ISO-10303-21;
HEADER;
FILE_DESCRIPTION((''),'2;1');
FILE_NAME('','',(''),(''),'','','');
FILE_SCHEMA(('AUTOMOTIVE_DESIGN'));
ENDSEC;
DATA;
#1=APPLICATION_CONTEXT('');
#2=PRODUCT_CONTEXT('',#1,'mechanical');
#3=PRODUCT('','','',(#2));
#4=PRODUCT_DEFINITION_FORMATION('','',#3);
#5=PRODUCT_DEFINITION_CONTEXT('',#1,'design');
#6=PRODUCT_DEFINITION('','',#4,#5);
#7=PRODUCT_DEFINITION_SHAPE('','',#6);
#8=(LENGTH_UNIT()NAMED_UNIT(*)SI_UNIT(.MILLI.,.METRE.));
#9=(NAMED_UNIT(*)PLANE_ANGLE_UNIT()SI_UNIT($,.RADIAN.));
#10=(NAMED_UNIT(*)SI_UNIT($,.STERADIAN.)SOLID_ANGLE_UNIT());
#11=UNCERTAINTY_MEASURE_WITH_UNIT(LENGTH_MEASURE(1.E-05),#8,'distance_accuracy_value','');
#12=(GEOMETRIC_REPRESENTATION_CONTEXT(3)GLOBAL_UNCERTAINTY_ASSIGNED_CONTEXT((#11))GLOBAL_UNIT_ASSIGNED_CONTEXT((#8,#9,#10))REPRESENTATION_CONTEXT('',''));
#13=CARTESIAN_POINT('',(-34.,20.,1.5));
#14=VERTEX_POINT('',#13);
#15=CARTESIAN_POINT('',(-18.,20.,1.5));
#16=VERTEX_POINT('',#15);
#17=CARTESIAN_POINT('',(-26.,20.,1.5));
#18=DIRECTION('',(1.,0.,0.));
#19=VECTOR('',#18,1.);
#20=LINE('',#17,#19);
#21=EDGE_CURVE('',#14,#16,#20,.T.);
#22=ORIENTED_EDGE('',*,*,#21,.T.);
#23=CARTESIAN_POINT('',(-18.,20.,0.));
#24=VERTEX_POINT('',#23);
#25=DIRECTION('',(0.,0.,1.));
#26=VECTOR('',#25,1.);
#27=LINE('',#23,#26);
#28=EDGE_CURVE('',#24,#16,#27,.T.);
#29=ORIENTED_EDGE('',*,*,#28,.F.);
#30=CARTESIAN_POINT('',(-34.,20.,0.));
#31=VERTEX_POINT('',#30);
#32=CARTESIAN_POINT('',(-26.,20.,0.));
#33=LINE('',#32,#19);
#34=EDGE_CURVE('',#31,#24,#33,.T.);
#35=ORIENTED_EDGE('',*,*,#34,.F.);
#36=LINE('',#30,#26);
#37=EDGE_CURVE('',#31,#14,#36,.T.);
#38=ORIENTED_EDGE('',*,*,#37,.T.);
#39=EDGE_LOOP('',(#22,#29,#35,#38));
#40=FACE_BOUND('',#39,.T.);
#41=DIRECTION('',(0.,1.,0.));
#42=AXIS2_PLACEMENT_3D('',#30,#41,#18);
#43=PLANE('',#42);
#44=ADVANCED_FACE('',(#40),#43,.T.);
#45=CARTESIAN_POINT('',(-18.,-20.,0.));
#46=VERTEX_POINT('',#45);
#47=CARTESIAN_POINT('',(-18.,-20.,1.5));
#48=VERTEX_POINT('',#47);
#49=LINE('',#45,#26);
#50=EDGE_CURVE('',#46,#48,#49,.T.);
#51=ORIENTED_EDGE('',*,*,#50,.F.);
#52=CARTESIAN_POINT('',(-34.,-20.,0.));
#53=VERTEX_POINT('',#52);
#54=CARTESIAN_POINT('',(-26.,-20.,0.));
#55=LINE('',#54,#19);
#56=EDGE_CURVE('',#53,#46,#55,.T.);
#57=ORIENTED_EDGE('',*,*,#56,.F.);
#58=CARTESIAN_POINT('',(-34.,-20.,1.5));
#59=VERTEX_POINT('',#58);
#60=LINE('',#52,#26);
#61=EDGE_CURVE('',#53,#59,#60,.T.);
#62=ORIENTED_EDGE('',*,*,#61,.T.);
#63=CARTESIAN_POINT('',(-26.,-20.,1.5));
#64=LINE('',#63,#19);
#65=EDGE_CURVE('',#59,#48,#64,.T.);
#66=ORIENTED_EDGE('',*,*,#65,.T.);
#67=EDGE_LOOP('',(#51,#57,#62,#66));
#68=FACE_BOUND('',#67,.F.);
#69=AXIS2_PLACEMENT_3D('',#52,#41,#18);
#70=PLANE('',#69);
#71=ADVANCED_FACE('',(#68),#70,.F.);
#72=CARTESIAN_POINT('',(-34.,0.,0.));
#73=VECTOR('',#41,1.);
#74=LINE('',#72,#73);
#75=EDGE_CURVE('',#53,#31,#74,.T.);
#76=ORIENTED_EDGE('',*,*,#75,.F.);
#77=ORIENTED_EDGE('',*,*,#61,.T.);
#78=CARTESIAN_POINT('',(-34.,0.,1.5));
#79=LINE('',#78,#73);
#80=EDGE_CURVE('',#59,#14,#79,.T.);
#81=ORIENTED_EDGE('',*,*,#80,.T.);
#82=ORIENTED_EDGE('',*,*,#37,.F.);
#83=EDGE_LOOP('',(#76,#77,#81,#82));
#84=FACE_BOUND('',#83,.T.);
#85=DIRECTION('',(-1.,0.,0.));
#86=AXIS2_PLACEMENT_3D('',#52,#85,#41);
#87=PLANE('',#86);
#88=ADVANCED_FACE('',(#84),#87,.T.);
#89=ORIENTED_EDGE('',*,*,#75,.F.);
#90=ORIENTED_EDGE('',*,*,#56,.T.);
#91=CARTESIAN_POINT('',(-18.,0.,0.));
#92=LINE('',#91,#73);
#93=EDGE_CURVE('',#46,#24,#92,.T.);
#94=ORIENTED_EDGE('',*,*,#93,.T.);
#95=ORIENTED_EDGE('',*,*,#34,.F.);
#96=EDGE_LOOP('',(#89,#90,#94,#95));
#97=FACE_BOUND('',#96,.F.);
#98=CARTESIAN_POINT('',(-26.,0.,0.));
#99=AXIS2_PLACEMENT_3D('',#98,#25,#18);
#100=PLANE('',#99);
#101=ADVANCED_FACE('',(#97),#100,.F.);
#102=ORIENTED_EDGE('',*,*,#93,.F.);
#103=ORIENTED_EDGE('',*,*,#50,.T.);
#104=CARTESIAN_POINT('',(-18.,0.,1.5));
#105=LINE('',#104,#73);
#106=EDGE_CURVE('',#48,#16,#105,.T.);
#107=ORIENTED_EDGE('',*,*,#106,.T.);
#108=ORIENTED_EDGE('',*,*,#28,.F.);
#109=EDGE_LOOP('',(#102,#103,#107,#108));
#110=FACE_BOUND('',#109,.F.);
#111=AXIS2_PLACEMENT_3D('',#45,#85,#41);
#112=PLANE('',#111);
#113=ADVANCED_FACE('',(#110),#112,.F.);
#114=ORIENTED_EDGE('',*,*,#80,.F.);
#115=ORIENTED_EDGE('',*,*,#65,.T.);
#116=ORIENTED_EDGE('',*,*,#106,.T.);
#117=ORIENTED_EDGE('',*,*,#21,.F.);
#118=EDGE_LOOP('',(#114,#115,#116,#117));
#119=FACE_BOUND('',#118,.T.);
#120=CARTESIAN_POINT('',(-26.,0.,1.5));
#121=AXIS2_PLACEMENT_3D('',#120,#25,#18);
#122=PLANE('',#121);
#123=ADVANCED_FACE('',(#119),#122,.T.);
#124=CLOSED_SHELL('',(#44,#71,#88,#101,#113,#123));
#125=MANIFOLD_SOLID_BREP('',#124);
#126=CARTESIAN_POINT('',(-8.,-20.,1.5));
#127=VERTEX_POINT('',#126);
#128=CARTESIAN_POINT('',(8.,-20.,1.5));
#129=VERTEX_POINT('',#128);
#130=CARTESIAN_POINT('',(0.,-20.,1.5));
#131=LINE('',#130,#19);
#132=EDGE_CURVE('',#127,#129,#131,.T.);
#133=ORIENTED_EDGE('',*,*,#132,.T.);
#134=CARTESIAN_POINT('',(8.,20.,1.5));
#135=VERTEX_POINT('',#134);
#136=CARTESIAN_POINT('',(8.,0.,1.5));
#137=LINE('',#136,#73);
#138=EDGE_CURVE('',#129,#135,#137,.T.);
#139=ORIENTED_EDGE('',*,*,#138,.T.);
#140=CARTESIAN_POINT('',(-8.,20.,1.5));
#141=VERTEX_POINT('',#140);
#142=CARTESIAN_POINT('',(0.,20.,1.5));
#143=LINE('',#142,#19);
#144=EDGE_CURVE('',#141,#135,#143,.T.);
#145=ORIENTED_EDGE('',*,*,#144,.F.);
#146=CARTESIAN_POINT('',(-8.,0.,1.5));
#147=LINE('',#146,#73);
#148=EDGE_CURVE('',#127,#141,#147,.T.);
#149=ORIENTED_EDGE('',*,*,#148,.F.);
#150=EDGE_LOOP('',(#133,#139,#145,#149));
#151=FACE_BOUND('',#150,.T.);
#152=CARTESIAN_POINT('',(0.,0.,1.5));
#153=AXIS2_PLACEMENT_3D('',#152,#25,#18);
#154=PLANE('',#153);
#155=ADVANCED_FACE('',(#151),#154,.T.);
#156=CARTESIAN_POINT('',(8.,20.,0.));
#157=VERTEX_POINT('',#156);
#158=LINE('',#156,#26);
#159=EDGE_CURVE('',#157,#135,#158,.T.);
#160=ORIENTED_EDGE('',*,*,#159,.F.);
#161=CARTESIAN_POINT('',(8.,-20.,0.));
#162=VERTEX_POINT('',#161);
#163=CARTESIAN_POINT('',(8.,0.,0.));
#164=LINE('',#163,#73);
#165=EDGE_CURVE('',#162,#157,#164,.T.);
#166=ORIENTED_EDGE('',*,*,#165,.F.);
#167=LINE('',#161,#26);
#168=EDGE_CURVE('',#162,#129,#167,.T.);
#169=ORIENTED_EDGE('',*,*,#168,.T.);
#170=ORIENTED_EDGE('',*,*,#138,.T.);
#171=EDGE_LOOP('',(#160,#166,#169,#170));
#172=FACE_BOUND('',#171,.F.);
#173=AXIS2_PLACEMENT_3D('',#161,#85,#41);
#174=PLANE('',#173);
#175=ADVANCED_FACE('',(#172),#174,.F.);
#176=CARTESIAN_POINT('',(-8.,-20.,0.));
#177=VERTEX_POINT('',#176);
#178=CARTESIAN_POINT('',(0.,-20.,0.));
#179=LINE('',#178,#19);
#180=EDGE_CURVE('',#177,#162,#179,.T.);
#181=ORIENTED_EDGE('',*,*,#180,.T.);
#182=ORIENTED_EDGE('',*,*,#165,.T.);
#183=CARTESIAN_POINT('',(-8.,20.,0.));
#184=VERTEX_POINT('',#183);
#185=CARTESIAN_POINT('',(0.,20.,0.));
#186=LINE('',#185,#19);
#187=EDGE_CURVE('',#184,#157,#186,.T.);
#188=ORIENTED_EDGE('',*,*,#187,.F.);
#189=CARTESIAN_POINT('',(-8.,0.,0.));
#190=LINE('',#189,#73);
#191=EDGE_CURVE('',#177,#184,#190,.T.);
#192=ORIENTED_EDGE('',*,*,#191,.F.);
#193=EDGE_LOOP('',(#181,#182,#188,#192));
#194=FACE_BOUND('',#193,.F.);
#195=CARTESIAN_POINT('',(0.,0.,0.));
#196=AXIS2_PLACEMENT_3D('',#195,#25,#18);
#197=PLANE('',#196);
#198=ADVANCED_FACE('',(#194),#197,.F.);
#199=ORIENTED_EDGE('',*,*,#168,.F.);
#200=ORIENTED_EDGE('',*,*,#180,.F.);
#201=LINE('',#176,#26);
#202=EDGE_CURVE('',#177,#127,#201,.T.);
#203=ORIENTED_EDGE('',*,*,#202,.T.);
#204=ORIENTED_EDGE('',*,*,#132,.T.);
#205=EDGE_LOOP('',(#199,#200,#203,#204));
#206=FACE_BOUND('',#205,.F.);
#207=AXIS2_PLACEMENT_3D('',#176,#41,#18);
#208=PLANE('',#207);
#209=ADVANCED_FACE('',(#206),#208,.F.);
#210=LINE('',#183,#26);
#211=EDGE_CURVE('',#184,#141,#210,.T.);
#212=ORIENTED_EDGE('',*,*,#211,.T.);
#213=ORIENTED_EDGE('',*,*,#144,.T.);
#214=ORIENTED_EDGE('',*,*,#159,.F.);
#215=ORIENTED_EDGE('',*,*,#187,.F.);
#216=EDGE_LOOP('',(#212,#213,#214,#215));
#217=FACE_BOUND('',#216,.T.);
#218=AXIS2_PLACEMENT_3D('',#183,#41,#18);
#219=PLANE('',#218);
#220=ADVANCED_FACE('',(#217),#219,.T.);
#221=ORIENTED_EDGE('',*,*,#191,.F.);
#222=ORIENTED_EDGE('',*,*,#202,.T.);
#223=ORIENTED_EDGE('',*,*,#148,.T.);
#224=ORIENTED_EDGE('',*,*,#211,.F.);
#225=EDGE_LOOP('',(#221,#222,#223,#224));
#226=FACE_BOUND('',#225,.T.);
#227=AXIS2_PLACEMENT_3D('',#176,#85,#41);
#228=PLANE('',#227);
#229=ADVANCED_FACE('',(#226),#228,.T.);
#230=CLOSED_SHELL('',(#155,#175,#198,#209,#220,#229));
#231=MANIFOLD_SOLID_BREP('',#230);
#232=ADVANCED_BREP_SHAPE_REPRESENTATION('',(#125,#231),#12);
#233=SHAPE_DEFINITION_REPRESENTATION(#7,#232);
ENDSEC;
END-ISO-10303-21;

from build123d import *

# Parameters (mm, degrees)
F0_W     = 16
F0_H     = 40
F1_DEPTH = 1.5
F2_DEPTH = 1.5
F3_DEPTH = 1.5


with BuildPart() as f1:
    # F0 (on Top) → F1 (new body)
    with BuildSketch(Plane.XY):
        with Locations((-26, 0)):
            Rectangle(F0_W, F0_H)
    extrude(amount=F1_DEPTH)


with BuildPart() as f2:
    # F0 (on Top) → F2 (new body)
    with BuildSketch(Plane.XY):
        Rectangle(F0_W, F0_H)
    extrude(amount=F2_DEPTH)


with BuildPart() as f3:
    # F0 (on Top) → F3 (new body)
    with BuildSketch(Plane.XY):
        with Locations((26, 0)):
            Rectangle(F0_W, F0_H)
    extrude(amount=F3_DEPTH)


solid = Compound([f1.part, f2.part])
